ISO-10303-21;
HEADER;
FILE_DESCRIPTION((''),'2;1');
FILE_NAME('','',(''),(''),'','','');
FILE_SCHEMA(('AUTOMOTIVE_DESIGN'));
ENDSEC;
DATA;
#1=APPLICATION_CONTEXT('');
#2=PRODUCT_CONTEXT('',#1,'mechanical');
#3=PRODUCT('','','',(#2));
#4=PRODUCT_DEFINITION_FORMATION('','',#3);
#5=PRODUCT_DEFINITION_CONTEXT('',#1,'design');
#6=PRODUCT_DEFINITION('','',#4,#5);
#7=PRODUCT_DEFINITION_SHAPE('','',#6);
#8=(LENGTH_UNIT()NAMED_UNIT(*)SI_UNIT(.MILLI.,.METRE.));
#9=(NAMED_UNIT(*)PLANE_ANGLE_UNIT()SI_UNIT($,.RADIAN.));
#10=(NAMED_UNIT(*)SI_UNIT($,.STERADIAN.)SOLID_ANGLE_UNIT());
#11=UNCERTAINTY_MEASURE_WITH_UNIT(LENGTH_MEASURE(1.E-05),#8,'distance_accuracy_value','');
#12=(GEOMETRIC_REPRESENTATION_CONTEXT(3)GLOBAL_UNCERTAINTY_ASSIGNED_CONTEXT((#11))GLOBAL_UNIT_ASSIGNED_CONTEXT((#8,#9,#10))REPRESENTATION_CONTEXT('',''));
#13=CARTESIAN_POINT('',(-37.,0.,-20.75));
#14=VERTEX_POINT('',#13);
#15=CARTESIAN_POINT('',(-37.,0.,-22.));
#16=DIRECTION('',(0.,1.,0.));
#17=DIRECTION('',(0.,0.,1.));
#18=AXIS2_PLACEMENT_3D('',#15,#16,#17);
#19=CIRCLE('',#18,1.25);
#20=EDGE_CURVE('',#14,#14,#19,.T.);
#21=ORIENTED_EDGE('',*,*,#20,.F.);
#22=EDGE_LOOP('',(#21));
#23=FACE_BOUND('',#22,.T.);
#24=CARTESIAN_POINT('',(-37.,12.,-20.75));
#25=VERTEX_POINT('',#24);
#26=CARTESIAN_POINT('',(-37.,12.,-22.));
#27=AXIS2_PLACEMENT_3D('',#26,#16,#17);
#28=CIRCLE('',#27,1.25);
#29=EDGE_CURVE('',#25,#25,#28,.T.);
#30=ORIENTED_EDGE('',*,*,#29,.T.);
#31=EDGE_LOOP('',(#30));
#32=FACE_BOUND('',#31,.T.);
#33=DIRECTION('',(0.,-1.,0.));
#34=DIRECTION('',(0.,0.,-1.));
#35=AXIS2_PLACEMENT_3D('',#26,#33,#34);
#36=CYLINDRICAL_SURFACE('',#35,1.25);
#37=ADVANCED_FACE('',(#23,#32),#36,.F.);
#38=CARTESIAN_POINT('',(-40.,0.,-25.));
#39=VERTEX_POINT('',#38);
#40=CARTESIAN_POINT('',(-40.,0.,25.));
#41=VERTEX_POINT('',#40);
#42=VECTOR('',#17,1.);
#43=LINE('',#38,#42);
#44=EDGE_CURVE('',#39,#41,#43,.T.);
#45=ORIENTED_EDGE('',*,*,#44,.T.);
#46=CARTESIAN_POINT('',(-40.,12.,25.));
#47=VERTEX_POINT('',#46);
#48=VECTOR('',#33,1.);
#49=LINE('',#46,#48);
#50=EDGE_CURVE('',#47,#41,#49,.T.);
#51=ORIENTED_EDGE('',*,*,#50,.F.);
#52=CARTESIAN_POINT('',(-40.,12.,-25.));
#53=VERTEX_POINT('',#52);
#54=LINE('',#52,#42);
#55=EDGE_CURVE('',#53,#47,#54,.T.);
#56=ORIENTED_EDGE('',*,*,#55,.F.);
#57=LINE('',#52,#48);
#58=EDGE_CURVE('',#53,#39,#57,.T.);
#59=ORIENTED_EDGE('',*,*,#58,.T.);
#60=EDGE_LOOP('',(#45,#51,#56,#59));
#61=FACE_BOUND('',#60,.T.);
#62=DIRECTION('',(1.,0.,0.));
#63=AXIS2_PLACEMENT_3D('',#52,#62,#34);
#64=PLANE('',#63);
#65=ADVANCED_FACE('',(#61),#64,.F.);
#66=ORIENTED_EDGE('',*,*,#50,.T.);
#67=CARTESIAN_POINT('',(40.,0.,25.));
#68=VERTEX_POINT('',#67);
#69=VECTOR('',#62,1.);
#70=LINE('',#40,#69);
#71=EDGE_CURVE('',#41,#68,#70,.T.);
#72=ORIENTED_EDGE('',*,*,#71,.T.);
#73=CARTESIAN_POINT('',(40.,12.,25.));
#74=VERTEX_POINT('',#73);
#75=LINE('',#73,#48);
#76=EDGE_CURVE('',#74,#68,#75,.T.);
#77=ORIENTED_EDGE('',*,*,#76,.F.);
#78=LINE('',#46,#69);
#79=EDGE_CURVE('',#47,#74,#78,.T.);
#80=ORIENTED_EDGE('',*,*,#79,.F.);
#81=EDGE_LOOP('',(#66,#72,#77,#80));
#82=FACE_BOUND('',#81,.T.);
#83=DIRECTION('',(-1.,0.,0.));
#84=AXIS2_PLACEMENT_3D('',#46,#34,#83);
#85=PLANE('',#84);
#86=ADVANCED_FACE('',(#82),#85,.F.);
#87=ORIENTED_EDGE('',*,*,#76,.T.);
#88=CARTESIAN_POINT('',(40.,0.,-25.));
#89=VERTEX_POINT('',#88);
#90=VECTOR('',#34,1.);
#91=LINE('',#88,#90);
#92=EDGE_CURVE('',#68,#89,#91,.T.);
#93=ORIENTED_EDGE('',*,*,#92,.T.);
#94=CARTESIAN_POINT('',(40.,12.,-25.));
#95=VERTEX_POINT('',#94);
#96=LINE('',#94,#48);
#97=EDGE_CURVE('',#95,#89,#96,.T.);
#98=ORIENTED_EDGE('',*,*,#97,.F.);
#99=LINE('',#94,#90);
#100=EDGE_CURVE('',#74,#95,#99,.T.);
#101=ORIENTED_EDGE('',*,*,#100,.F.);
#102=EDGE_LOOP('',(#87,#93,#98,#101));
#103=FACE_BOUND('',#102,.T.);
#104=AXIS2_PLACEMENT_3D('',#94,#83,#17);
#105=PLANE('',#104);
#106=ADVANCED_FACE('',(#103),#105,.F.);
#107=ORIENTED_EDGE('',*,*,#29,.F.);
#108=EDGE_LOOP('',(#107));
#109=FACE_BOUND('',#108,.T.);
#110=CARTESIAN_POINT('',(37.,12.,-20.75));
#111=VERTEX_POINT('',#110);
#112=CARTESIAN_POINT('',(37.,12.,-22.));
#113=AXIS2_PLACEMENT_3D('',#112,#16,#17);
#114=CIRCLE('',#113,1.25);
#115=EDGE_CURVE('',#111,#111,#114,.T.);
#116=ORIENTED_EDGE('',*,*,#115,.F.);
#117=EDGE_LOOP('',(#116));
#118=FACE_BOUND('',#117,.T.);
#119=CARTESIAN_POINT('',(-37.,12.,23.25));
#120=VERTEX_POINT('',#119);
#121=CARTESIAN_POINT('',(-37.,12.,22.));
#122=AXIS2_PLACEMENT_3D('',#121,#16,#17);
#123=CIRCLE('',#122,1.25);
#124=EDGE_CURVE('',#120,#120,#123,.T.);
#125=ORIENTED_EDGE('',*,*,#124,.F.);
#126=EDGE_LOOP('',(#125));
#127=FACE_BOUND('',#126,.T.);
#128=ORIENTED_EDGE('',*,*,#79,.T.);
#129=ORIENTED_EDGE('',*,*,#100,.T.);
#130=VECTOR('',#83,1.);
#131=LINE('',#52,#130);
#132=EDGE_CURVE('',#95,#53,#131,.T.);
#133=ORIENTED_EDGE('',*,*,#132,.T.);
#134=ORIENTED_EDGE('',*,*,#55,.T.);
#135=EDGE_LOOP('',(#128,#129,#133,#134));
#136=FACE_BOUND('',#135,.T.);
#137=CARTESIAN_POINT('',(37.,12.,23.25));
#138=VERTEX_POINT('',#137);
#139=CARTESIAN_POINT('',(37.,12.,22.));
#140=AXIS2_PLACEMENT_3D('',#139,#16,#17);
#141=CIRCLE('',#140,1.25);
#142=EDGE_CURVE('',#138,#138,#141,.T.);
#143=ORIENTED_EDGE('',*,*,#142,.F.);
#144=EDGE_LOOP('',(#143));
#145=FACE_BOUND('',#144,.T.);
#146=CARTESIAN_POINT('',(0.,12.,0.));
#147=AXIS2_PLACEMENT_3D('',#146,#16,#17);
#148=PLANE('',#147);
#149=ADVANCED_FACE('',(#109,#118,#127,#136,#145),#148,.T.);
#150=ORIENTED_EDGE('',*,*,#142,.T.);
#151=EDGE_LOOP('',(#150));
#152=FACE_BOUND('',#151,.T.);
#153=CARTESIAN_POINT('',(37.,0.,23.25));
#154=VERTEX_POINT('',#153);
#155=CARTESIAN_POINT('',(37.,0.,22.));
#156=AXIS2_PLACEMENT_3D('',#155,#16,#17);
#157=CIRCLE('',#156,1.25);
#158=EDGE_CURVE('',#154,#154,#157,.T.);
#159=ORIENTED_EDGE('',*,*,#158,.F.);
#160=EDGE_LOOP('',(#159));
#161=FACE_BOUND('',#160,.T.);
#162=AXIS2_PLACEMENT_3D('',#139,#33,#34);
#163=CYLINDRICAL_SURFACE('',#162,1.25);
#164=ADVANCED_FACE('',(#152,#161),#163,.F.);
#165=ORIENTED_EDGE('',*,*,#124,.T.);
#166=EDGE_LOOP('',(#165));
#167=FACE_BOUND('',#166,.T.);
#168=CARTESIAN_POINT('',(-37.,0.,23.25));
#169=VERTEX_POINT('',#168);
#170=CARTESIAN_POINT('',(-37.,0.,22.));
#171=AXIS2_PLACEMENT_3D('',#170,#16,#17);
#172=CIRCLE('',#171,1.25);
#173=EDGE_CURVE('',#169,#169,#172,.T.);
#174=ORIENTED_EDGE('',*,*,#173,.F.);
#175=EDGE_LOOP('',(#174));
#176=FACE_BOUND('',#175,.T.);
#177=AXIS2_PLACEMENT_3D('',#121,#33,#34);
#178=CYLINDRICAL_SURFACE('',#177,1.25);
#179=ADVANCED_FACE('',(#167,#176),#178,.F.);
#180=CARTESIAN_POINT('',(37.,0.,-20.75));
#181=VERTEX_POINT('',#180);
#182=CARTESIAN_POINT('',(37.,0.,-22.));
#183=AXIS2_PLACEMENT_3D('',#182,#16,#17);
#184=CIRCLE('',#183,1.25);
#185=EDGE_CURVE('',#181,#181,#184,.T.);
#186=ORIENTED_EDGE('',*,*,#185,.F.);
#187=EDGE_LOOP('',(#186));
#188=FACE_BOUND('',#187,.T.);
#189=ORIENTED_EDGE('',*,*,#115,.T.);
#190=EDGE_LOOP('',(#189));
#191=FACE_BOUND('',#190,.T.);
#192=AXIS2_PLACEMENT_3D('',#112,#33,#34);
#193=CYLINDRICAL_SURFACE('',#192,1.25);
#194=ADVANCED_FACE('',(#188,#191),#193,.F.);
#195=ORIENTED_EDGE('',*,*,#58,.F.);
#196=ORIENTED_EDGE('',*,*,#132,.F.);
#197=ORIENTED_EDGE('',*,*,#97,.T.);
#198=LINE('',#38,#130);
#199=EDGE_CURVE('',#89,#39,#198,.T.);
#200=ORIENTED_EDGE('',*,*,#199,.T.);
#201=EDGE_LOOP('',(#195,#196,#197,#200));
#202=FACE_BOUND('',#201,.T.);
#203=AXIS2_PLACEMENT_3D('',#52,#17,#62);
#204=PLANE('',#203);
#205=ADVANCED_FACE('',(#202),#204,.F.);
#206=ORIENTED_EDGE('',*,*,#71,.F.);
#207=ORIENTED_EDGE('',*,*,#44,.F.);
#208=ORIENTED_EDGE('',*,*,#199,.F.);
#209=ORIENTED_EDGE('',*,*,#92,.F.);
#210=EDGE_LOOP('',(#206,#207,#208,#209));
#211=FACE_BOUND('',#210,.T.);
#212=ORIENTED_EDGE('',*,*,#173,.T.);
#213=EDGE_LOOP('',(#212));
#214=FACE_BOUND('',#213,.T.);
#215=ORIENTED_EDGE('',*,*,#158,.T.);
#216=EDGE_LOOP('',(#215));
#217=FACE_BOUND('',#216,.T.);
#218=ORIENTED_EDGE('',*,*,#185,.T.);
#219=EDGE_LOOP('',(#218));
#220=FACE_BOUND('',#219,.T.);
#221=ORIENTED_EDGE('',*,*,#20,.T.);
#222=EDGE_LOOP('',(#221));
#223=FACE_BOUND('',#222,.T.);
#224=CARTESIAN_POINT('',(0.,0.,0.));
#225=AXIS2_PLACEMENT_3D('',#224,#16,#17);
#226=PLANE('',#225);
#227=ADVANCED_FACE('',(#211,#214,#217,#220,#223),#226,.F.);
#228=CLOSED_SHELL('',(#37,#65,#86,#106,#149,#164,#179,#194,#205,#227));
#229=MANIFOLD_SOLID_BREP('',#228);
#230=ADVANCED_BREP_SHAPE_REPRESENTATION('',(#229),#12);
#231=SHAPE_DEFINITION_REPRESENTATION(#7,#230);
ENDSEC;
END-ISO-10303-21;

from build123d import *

# Parameters (mm, degrees)
SKETCH1_W           = 80
SKETCH1_H           = 50
SKETCH1_R           = 1.25
BOSS_EXTRUDE1_DEPTH = 12


with BuildPart() as part:
    # Sketch1 → Boss-Extrude1 (new body)
    with BuildSketch(Plane(origin=(0, 0, 0), x_dir=(1, 0, 0), z_dir=(0, 1, 0))):
        Rectangle(SKETCH1_W, SKETCH1_H)
        with Locations(Location((-37, 22, 0), (0, 0, 270))):
            Circle(SKETCH1_R, mode=Mode.SUBTRACT)
        with Locations(Location((37, 22, 0), (0, 0, 270))):
            Circle(SKETCH1_R, mode=Mode.SUBTRACT)
        with Locations(Location((37, -22, 0), (0, 0, 270))):
            Circle(SKETCH1_R, mode=Mode.SUBTRACT)
        with Locations(Location((-37, -22, 0), (0, 0, 270))):
            Circle(SKETCH1_R, mode=Mode.SUBTRACT)
    extrude(amount=BOSS_EXTRUDE1_DEPTH)


solid = part.part
